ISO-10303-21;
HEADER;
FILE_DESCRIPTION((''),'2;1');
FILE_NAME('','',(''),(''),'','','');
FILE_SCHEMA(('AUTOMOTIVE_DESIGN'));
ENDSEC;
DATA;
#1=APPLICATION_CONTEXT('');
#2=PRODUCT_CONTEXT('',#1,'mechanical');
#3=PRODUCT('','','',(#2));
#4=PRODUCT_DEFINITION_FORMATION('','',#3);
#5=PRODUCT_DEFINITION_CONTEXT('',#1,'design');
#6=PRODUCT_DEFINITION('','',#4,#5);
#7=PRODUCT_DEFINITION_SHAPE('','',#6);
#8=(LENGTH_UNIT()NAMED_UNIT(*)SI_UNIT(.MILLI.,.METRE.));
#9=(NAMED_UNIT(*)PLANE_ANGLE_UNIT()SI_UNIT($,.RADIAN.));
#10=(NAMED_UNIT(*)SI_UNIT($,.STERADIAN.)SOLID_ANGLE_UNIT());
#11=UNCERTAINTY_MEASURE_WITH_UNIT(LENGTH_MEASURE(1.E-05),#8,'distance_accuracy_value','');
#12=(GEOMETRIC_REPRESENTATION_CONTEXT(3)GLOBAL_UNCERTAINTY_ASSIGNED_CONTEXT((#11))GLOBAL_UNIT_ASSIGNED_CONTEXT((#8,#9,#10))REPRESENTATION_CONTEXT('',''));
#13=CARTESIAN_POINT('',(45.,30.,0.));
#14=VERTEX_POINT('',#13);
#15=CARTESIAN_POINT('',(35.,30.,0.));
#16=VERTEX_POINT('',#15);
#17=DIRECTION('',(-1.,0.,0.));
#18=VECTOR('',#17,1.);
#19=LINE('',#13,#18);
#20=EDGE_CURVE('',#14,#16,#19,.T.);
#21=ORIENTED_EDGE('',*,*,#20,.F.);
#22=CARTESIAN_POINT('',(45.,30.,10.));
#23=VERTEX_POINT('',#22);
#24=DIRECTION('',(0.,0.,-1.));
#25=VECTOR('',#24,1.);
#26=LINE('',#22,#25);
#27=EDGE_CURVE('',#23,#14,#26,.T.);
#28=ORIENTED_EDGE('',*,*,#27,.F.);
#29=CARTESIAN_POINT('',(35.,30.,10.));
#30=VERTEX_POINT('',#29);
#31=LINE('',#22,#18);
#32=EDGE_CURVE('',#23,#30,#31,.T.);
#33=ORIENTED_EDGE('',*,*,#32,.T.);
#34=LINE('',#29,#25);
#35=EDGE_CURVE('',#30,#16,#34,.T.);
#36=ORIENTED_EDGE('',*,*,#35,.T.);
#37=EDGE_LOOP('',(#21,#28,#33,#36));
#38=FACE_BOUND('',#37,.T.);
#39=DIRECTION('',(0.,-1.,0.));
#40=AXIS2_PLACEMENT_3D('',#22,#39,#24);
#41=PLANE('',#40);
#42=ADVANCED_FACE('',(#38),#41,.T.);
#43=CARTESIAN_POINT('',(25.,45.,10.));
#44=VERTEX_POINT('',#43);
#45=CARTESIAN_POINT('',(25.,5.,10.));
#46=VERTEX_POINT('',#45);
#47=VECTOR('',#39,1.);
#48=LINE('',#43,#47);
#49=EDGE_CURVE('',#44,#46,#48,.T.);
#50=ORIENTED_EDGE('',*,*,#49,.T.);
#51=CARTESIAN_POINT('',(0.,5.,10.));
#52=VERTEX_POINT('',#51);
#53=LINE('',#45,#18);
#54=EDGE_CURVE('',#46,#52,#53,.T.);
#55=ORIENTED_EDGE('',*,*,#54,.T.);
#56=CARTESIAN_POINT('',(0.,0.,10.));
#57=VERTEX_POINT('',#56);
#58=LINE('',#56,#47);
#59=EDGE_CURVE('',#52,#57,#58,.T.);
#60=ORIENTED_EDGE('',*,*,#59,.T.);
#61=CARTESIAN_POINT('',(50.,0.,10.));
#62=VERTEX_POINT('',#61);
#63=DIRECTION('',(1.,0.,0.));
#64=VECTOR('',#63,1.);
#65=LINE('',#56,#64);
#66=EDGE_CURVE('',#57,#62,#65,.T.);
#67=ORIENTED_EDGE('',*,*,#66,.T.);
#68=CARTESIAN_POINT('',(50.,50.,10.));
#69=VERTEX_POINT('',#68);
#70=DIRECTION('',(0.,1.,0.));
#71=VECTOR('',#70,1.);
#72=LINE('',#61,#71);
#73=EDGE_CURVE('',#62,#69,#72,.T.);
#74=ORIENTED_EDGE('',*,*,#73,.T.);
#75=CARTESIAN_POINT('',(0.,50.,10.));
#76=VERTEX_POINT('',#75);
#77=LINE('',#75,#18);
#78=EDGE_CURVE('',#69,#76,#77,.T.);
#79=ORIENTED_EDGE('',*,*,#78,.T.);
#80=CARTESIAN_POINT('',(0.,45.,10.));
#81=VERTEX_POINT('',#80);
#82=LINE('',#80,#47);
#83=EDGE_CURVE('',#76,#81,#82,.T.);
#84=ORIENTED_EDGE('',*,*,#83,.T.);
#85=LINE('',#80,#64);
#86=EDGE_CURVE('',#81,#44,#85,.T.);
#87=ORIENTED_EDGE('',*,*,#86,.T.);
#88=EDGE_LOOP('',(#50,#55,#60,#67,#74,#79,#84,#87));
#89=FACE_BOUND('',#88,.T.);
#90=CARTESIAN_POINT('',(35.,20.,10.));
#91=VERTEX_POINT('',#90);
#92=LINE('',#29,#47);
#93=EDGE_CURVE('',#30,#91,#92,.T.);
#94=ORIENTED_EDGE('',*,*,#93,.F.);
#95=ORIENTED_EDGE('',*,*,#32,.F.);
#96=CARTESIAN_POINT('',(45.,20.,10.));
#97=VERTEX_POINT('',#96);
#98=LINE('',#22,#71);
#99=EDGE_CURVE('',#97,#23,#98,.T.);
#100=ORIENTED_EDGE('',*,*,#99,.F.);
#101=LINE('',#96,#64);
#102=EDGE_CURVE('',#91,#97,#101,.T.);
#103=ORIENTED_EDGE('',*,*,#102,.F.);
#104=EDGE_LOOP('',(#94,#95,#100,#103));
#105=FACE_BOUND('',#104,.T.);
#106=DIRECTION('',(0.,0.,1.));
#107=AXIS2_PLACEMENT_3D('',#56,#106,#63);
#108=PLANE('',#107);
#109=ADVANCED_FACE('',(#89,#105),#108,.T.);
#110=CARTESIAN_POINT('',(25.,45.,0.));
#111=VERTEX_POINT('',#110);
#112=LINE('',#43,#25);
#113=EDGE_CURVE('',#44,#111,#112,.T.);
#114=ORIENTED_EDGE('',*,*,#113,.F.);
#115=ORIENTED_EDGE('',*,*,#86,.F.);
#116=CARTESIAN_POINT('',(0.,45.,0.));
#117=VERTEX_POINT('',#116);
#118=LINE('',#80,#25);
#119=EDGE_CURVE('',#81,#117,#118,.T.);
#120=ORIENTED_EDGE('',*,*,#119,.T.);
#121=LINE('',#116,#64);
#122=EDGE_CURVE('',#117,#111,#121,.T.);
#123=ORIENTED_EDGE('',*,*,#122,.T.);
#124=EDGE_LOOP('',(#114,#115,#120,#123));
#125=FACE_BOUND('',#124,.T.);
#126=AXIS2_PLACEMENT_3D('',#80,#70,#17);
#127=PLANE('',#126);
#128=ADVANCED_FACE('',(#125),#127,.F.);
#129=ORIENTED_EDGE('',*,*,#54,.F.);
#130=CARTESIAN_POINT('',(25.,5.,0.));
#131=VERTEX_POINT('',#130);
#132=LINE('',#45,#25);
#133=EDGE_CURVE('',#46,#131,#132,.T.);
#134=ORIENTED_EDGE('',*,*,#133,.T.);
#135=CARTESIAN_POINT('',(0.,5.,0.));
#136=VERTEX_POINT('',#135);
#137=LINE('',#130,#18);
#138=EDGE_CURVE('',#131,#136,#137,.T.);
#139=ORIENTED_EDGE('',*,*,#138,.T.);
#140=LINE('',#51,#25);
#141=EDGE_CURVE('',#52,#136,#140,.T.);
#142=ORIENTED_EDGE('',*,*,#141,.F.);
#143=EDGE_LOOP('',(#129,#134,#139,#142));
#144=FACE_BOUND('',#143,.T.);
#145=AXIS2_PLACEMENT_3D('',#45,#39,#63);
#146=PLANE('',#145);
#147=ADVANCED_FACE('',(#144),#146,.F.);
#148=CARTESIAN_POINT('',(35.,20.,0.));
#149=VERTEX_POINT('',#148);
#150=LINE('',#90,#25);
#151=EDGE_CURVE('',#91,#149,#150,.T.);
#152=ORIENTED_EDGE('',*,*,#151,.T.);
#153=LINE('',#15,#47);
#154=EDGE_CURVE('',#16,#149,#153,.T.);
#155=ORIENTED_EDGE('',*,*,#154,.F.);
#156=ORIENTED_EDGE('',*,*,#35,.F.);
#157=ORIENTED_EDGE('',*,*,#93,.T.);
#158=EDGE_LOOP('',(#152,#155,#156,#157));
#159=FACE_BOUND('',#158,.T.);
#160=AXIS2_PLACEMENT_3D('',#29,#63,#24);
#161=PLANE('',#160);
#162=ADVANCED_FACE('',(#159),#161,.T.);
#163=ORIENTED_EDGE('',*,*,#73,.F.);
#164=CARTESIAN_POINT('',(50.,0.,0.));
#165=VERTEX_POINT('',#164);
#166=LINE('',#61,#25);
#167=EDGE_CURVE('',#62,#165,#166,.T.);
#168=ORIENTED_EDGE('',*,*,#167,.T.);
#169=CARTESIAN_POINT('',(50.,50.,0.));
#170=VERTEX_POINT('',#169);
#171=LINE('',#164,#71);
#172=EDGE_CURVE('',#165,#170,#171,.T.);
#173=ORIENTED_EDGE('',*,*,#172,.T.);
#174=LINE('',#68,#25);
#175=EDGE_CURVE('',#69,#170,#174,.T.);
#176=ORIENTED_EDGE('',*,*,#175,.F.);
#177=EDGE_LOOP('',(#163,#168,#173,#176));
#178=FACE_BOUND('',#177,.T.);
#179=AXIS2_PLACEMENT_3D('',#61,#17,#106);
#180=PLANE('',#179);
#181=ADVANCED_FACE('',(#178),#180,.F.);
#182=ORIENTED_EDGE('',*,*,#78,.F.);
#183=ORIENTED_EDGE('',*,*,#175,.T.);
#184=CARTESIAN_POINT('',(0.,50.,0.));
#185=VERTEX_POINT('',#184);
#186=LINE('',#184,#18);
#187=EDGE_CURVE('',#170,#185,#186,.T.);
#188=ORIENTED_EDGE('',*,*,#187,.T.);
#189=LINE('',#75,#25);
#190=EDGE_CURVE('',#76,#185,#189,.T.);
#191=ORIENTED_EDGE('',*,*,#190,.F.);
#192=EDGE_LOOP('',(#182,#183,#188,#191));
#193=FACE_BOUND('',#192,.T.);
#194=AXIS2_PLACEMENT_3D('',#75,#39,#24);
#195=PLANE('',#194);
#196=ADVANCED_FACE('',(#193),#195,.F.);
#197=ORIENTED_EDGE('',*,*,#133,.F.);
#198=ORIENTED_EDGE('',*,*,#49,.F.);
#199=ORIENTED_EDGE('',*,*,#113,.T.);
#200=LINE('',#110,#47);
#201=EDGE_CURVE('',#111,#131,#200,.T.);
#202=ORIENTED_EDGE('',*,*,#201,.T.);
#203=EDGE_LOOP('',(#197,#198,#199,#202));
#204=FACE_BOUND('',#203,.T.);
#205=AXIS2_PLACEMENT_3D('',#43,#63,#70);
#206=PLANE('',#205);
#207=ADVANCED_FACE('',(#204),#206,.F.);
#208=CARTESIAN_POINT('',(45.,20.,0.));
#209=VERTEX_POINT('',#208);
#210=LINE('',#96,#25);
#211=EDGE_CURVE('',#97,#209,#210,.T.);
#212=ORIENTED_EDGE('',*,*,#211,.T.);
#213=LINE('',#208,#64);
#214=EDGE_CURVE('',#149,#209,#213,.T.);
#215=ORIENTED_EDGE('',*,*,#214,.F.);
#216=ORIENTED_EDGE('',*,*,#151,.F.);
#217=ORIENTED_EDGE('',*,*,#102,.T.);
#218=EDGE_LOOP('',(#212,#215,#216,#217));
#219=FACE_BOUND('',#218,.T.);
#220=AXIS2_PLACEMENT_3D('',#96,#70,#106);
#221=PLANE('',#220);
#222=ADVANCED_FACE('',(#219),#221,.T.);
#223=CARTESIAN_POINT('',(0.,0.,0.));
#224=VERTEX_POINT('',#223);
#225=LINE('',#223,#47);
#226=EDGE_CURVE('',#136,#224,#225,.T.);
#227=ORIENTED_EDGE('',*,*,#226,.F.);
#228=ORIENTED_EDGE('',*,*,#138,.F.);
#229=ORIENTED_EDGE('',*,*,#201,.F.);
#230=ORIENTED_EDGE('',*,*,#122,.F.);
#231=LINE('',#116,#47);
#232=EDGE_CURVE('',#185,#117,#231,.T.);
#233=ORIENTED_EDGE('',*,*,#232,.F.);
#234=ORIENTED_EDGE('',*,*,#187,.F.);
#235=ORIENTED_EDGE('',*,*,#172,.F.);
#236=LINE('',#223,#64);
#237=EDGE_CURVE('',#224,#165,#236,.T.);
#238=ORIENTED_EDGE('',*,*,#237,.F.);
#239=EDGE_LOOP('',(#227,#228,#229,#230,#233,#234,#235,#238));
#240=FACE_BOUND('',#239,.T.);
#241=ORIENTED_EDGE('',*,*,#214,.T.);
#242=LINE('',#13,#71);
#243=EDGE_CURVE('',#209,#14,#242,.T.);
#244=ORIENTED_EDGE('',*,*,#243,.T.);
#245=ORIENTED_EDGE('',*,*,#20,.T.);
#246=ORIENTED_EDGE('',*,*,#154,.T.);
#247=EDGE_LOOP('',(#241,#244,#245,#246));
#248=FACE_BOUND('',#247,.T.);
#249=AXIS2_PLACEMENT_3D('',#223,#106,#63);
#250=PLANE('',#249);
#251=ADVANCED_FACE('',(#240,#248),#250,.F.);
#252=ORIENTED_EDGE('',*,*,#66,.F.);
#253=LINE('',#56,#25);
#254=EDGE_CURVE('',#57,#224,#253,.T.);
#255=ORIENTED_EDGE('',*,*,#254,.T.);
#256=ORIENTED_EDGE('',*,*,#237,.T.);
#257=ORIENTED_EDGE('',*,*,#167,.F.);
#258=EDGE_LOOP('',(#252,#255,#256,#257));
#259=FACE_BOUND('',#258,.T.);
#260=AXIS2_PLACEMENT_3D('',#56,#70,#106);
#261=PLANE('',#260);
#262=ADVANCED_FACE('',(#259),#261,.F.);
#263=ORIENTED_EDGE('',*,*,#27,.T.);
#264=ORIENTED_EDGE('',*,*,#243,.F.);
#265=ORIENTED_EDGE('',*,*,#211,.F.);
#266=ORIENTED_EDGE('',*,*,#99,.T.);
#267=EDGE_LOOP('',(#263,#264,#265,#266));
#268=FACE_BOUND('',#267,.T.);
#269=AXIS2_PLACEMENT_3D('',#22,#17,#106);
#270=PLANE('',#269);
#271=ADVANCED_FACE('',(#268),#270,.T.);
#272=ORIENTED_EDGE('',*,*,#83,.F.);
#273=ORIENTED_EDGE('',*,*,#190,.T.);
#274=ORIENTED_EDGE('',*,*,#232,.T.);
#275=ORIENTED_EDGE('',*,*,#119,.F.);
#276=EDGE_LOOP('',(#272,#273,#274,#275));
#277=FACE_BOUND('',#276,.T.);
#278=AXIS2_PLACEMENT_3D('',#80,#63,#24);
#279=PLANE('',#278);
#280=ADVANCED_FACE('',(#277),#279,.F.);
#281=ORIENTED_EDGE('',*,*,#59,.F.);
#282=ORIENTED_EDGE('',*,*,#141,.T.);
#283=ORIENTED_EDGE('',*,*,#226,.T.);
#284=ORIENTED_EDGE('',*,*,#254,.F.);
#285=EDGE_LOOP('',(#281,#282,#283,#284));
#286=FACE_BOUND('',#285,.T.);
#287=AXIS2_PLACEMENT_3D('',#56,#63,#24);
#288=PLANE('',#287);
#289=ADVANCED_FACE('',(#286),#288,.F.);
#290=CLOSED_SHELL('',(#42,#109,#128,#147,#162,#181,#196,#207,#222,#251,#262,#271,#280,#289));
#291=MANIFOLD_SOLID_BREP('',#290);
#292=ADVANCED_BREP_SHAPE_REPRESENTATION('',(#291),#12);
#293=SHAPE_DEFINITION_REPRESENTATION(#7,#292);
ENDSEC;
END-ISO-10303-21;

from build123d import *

# Parameters (mm, degrees)
SKETCH1_W           = 10
SKETCH1_H           = 10
BOSS_EXTRUDE1_DEPTH = 10


with BuildPart() as part:
    # Sketch1 → Boss-Extrude1 (new body)
    with BuildSketch(Plane.XY):
        Polygon((0, 45), (25, 45), (25, 5), (0, 5), (0, 0), (50, 0), (50, 50), (0, 50), align=None)
        with Locations((40, 25)):
            Rectangle(SKETCH1_W, SKETCH1_H, mode=Mode.SUBTRACT)
    extrude(amount=BOSS_EXTRUDE1_DEPTH)


solid = part.part
